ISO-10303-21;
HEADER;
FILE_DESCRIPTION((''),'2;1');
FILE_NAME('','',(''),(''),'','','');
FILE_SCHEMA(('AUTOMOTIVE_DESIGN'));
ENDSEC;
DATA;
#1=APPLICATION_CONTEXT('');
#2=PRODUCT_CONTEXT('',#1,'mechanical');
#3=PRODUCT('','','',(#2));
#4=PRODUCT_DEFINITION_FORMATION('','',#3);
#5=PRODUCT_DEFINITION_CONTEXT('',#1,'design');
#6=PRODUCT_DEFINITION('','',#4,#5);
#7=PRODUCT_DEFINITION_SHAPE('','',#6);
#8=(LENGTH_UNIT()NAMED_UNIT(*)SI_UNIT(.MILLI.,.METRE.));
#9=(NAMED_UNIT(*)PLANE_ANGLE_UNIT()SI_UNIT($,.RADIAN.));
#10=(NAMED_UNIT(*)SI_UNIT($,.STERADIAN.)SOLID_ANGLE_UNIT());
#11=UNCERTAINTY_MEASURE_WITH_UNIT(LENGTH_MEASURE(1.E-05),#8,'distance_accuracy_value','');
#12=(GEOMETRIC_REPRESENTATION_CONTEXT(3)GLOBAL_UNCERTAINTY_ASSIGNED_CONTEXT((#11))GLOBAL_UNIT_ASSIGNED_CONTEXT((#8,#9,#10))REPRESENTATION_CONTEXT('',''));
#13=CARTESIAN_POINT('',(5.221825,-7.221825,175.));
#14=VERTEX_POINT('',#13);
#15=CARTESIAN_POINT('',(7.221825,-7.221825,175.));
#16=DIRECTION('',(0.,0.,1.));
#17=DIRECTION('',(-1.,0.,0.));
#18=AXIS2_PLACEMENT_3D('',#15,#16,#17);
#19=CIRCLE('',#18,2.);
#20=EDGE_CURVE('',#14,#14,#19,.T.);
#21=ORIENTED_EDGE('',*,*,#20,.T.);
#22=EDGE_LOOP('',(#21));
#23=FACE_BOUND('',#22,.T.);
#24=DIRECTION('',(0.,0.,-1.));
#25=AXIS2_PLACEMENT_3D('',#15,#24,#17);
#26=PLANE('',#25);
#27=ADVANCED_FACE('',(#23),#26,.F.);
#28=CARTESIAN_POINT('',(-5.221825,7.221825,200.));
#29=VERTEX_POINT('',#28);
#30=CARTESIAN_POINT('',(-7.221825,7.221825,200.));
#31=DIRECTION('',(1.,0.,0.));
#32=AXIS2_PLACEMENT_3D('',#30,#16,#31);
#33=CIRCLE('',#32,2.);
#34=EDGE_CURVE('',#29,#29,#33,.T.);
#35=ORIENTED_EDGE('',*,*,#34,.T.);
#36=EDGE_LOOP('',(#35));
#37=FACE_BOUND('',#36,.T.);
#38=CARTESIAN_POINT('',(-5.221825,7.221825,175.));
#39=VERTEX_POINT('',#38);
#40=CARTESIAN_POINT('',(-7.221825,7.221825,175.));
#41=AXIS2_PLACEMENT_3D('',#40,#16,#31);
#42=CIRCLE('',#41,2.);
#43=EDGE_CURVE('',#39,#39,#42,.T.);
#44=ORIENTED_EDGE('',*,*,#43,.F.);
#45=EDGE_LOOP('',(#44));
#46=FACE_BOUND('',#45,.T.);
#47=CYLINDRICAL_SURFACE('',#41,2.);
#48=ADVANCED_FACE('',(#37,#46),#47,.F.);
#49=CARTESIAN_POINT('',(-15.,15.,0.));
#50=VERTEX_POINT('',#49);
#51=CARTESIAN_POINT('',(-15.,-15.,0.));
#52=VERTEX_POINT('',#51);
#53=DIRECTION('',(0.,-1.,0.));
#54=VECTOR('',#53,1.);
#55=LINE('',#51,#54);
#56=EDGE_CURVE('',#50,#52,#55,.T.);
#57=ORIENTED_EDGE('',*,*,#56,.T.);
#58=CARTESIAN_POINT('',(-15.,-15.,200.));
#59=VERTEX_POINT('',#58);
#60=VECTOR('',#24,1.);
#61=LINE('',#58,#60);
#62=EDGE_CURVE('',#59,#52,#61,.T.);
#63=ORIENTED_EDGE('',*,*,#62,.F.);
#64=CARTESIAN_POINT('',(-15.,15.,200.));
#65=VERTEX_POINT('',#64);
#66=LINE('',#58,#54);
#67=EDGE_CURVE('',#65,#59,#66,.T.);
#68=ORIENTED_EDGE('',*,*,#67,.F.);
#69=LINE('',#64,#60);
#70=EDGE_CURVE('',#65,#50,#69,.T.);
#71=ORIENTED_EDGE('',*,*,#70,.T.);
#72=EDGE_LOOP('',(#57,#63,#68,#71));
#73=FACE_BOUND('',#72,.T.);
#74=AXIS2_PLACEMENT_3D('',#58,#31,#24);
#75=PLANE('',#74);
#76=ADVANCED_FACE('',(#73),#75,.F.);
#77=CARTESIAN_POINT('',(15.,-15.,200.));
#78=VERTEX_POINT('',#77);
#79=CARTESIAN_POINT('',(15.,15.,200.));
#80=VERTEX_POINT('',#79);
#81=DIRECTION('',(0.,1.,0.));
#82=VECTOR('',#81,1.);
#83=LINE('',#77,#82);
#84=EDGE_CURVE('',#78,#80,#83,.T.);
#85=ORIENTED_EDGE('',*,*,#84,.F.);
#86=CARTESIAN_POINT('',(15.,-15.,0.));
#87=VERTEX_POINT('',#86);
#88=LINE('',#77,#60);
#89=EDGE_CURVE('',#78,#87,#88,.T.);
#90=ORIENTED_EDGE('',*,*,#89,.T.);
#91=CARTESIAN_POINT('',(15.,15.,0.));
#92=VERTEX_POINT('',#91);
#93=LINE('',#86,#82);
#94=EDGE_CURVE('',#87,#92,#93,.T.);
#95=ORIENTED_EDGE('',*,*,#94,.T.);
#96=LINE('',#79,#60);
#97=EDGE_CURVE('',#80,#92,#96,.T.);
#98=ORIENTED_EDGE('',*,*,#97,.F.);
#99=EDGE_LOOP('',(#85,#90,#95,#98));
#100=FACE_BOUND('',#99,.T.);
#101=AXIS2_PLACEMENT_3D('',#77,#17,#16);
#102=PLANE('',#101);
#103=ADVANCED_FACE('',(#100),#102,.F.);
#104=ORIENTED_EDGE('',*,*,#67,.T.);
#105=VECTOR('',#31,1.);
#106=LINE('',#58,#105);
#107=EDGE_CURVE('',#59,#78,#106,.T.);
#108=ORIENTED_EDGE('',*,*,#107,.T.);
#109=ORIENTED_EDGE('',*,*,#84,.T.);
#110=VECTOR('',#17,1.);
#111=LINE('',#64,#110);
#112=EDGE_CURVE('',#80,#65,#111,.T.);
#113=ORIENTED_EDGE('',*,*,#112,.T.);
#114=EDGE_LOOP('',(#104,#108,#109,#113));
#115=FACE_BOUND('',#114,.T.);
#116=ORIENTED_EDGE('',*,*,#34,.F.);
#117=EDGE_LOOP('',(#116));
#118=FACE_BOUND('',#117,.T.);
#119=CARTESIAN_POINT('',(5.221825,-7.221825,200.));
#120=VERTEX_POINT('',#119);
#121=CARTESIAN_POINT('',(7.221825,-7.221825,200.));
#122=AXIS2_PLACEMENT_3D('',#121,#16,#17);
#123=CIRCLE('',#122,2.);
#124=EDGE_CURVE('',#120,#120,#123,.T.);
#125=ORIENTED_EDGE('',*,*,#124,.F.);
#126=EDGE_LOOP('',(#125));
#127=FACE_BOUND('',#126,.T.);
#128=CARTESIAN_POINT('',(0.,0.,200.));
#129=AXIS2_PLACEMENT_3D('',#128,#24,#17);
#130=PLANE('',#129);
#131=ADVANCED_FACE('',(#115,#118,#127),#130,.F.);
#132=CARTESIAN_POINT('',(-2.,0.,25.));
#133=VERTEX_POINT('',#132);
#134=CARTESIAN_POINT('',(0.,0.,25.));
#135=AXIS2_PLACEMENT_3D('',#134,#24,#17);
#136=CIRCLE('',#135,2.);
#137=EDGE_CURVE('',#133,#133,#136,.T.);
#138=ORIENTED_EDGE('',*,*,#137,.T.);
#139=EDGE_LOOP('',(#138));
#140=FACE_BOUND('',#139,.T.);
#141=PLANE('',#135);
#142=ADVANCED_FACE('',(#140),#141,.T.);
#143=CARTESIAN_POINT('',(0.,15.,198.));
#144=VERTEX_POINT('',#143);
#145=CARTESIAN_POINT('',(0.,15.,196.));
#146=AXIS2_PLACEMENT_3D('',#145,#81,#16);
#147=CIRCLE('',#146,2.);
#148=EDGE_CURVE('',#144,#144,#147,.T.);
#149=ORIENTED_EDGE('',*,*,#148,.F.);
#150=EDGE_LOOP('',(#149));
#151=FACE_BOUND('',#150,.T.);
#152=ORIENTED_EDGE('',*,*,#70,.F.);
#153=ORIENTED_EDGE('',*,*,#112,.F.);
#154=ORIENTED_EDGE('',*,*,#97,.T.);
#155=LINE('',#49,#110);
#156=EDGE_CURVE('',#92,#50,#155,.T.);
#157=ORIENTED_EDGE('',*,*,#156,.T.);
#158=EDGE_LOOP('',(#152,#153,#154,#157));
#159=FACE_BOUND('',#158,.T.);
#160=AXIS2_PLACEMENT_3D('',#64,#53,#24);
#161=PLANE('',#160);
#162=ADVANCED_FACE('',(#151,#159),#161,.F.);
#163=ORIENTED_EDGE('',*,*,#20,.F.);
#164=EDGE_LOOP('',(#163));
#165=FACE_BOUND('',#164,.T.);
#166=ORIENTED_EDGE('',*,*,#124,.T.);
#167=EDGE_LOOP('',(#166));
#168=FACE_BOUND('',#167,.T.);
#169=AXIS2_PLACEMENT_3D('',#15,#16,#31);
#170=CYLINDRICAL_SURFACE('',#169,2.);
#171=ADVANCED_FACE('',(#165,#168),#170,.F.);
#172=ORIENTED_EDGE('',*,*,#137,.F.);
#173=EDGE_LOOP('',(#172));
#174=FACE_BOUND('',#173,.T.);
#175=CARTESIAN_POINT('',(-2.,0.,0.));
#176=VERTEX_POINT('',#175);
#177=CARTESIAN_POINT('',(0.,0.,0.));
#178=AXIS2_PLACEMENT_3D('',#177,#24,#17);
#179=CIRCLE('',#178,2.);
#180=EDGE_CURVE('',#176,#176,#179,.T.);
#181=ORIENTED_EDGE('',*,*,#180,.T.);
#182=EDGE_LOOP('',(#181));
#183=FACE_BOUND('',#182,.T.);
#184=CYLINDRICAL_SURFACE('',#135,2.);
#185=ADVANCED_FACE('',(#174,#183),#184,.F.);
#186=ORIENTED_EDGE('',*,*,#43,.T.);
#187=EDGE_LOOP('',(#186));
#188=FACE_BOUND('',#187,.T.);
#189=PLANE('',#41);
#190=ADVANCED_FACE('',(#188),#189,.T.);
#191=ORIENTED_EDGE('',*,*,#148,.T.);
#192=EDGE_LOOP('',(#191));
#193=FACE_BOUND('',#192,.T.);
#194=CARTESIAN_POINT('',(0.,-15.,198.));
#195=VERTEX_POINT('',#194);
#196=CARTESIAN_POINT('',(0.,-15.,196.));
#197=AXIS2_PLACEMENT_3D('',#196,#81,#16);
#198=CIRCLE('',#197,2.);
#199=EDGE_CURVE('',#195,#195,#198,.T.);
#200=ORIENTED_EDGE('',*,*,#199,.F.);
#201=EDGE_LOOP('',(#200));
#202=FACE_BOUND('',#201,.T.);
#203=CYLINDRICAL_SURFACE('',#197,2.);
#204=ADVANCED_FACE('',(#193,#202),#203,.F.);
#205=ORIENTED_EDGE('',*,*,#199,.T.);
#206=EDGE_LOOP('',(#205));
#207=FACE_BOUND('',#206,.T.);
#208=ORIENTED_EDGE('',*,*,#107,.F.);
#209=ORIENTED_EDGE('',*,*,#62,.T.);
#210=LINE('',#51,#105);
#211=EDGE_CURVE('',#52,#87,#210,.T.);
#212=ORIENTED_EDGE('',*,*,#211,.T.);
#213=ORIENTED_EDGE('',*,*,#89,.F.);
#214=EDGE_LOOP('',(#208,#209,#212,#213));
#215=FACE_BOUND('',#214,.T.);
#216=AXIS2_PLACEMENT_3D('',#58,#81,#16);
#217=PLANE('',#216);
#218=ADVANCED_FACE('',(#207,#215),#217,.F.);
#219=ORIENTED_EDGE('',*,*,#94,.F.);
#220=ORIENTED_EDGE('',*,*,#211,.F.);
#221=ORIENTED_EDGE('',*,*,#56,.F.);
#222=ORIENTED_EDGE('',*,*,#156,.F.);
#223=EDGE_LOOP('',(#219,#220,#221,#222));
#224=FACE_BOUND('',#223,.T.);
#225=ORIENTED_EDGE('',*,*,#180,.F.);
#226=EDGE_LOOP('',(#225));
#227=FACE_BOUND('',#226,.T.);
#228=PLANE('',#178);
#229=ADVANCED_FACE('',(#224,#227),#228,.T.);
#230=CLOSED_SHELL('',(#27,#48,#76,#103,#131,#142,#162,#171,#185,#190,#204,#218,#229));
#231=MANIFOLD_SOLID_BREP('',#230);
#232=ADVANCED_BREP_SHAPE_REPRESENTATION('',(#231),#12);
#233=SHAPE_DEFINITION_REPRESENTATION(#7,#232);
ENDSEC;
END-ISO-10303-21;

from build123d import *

# Parameters (mm, degrees)
CROQUIS1_W              = 30
CROQUIS1_H              = 30
SALIENTE_EXTRUIR1_DEPTH = 200
CROQUIS2_R              = 2
CORTAR_EXTRUIR1_DEPTH   = 25
CROQUIS3_R              = 2
CORTAR_EXTRUIR2_DEPTH   = 203.792997907
CROQUIS4_R              = 2
CORTAR_EXTRUIR3_DEPTH   = 25


with BuildPart() as part:
    # Croquis1 → Saliente-Extruir1 (new body)
    with BuildSketch(Plane.XY):
        Rectangle(CROQUIS1_W, CROQUIS1_H)
    extrude(amount=SALIENTE_EXTRUIR1_DEPTH)

    # Croquis2 → Cortar-Extruir1 (cut)
    with BuildSketch(Plane.XY.offset(200)):
        with Locations((-7.221825407, 7.221825407)):
            Circle(CROQUIS2_R)
        with Locations(Location((7.221825407, -7.221825407, 0), (0, 0, 180))):
            Circle(CROQUIS2_R)
    extrude(amount=-CORTAR_EXTRUIR1_DEPTH, mode=Mode.SUBTRACT)

    # Croquis3 → Cortar-Extruir2 (cut, through all)
    with BuildSketch(Plane(origin=(0, 15, 0), x_dir=(1, 0, 0), z_dir=(0, 1, 0))):
        with Locations(Location((0, -196, 0), (0, 0, 270))):
            Circle(CROQUIS3_R)
    extrude(amount=-CORTAR_EXTRUIR2_DEPTH, mode=Mode.SUBTRACT)

    # Croquis4 → Cortar-Extruir3 (cut)
    with BuildSketch(Plane(origin=(0, 0, 0), x_dir=(-1, 0, 0), z_dir=(0, 0, -1))):
        Circle(CROQUIS4_R)
    extrude(amount=-CORTAR_EXTRUIR3_DEPTH, mode=Mode.SUBTRACT)


solid = part.part
